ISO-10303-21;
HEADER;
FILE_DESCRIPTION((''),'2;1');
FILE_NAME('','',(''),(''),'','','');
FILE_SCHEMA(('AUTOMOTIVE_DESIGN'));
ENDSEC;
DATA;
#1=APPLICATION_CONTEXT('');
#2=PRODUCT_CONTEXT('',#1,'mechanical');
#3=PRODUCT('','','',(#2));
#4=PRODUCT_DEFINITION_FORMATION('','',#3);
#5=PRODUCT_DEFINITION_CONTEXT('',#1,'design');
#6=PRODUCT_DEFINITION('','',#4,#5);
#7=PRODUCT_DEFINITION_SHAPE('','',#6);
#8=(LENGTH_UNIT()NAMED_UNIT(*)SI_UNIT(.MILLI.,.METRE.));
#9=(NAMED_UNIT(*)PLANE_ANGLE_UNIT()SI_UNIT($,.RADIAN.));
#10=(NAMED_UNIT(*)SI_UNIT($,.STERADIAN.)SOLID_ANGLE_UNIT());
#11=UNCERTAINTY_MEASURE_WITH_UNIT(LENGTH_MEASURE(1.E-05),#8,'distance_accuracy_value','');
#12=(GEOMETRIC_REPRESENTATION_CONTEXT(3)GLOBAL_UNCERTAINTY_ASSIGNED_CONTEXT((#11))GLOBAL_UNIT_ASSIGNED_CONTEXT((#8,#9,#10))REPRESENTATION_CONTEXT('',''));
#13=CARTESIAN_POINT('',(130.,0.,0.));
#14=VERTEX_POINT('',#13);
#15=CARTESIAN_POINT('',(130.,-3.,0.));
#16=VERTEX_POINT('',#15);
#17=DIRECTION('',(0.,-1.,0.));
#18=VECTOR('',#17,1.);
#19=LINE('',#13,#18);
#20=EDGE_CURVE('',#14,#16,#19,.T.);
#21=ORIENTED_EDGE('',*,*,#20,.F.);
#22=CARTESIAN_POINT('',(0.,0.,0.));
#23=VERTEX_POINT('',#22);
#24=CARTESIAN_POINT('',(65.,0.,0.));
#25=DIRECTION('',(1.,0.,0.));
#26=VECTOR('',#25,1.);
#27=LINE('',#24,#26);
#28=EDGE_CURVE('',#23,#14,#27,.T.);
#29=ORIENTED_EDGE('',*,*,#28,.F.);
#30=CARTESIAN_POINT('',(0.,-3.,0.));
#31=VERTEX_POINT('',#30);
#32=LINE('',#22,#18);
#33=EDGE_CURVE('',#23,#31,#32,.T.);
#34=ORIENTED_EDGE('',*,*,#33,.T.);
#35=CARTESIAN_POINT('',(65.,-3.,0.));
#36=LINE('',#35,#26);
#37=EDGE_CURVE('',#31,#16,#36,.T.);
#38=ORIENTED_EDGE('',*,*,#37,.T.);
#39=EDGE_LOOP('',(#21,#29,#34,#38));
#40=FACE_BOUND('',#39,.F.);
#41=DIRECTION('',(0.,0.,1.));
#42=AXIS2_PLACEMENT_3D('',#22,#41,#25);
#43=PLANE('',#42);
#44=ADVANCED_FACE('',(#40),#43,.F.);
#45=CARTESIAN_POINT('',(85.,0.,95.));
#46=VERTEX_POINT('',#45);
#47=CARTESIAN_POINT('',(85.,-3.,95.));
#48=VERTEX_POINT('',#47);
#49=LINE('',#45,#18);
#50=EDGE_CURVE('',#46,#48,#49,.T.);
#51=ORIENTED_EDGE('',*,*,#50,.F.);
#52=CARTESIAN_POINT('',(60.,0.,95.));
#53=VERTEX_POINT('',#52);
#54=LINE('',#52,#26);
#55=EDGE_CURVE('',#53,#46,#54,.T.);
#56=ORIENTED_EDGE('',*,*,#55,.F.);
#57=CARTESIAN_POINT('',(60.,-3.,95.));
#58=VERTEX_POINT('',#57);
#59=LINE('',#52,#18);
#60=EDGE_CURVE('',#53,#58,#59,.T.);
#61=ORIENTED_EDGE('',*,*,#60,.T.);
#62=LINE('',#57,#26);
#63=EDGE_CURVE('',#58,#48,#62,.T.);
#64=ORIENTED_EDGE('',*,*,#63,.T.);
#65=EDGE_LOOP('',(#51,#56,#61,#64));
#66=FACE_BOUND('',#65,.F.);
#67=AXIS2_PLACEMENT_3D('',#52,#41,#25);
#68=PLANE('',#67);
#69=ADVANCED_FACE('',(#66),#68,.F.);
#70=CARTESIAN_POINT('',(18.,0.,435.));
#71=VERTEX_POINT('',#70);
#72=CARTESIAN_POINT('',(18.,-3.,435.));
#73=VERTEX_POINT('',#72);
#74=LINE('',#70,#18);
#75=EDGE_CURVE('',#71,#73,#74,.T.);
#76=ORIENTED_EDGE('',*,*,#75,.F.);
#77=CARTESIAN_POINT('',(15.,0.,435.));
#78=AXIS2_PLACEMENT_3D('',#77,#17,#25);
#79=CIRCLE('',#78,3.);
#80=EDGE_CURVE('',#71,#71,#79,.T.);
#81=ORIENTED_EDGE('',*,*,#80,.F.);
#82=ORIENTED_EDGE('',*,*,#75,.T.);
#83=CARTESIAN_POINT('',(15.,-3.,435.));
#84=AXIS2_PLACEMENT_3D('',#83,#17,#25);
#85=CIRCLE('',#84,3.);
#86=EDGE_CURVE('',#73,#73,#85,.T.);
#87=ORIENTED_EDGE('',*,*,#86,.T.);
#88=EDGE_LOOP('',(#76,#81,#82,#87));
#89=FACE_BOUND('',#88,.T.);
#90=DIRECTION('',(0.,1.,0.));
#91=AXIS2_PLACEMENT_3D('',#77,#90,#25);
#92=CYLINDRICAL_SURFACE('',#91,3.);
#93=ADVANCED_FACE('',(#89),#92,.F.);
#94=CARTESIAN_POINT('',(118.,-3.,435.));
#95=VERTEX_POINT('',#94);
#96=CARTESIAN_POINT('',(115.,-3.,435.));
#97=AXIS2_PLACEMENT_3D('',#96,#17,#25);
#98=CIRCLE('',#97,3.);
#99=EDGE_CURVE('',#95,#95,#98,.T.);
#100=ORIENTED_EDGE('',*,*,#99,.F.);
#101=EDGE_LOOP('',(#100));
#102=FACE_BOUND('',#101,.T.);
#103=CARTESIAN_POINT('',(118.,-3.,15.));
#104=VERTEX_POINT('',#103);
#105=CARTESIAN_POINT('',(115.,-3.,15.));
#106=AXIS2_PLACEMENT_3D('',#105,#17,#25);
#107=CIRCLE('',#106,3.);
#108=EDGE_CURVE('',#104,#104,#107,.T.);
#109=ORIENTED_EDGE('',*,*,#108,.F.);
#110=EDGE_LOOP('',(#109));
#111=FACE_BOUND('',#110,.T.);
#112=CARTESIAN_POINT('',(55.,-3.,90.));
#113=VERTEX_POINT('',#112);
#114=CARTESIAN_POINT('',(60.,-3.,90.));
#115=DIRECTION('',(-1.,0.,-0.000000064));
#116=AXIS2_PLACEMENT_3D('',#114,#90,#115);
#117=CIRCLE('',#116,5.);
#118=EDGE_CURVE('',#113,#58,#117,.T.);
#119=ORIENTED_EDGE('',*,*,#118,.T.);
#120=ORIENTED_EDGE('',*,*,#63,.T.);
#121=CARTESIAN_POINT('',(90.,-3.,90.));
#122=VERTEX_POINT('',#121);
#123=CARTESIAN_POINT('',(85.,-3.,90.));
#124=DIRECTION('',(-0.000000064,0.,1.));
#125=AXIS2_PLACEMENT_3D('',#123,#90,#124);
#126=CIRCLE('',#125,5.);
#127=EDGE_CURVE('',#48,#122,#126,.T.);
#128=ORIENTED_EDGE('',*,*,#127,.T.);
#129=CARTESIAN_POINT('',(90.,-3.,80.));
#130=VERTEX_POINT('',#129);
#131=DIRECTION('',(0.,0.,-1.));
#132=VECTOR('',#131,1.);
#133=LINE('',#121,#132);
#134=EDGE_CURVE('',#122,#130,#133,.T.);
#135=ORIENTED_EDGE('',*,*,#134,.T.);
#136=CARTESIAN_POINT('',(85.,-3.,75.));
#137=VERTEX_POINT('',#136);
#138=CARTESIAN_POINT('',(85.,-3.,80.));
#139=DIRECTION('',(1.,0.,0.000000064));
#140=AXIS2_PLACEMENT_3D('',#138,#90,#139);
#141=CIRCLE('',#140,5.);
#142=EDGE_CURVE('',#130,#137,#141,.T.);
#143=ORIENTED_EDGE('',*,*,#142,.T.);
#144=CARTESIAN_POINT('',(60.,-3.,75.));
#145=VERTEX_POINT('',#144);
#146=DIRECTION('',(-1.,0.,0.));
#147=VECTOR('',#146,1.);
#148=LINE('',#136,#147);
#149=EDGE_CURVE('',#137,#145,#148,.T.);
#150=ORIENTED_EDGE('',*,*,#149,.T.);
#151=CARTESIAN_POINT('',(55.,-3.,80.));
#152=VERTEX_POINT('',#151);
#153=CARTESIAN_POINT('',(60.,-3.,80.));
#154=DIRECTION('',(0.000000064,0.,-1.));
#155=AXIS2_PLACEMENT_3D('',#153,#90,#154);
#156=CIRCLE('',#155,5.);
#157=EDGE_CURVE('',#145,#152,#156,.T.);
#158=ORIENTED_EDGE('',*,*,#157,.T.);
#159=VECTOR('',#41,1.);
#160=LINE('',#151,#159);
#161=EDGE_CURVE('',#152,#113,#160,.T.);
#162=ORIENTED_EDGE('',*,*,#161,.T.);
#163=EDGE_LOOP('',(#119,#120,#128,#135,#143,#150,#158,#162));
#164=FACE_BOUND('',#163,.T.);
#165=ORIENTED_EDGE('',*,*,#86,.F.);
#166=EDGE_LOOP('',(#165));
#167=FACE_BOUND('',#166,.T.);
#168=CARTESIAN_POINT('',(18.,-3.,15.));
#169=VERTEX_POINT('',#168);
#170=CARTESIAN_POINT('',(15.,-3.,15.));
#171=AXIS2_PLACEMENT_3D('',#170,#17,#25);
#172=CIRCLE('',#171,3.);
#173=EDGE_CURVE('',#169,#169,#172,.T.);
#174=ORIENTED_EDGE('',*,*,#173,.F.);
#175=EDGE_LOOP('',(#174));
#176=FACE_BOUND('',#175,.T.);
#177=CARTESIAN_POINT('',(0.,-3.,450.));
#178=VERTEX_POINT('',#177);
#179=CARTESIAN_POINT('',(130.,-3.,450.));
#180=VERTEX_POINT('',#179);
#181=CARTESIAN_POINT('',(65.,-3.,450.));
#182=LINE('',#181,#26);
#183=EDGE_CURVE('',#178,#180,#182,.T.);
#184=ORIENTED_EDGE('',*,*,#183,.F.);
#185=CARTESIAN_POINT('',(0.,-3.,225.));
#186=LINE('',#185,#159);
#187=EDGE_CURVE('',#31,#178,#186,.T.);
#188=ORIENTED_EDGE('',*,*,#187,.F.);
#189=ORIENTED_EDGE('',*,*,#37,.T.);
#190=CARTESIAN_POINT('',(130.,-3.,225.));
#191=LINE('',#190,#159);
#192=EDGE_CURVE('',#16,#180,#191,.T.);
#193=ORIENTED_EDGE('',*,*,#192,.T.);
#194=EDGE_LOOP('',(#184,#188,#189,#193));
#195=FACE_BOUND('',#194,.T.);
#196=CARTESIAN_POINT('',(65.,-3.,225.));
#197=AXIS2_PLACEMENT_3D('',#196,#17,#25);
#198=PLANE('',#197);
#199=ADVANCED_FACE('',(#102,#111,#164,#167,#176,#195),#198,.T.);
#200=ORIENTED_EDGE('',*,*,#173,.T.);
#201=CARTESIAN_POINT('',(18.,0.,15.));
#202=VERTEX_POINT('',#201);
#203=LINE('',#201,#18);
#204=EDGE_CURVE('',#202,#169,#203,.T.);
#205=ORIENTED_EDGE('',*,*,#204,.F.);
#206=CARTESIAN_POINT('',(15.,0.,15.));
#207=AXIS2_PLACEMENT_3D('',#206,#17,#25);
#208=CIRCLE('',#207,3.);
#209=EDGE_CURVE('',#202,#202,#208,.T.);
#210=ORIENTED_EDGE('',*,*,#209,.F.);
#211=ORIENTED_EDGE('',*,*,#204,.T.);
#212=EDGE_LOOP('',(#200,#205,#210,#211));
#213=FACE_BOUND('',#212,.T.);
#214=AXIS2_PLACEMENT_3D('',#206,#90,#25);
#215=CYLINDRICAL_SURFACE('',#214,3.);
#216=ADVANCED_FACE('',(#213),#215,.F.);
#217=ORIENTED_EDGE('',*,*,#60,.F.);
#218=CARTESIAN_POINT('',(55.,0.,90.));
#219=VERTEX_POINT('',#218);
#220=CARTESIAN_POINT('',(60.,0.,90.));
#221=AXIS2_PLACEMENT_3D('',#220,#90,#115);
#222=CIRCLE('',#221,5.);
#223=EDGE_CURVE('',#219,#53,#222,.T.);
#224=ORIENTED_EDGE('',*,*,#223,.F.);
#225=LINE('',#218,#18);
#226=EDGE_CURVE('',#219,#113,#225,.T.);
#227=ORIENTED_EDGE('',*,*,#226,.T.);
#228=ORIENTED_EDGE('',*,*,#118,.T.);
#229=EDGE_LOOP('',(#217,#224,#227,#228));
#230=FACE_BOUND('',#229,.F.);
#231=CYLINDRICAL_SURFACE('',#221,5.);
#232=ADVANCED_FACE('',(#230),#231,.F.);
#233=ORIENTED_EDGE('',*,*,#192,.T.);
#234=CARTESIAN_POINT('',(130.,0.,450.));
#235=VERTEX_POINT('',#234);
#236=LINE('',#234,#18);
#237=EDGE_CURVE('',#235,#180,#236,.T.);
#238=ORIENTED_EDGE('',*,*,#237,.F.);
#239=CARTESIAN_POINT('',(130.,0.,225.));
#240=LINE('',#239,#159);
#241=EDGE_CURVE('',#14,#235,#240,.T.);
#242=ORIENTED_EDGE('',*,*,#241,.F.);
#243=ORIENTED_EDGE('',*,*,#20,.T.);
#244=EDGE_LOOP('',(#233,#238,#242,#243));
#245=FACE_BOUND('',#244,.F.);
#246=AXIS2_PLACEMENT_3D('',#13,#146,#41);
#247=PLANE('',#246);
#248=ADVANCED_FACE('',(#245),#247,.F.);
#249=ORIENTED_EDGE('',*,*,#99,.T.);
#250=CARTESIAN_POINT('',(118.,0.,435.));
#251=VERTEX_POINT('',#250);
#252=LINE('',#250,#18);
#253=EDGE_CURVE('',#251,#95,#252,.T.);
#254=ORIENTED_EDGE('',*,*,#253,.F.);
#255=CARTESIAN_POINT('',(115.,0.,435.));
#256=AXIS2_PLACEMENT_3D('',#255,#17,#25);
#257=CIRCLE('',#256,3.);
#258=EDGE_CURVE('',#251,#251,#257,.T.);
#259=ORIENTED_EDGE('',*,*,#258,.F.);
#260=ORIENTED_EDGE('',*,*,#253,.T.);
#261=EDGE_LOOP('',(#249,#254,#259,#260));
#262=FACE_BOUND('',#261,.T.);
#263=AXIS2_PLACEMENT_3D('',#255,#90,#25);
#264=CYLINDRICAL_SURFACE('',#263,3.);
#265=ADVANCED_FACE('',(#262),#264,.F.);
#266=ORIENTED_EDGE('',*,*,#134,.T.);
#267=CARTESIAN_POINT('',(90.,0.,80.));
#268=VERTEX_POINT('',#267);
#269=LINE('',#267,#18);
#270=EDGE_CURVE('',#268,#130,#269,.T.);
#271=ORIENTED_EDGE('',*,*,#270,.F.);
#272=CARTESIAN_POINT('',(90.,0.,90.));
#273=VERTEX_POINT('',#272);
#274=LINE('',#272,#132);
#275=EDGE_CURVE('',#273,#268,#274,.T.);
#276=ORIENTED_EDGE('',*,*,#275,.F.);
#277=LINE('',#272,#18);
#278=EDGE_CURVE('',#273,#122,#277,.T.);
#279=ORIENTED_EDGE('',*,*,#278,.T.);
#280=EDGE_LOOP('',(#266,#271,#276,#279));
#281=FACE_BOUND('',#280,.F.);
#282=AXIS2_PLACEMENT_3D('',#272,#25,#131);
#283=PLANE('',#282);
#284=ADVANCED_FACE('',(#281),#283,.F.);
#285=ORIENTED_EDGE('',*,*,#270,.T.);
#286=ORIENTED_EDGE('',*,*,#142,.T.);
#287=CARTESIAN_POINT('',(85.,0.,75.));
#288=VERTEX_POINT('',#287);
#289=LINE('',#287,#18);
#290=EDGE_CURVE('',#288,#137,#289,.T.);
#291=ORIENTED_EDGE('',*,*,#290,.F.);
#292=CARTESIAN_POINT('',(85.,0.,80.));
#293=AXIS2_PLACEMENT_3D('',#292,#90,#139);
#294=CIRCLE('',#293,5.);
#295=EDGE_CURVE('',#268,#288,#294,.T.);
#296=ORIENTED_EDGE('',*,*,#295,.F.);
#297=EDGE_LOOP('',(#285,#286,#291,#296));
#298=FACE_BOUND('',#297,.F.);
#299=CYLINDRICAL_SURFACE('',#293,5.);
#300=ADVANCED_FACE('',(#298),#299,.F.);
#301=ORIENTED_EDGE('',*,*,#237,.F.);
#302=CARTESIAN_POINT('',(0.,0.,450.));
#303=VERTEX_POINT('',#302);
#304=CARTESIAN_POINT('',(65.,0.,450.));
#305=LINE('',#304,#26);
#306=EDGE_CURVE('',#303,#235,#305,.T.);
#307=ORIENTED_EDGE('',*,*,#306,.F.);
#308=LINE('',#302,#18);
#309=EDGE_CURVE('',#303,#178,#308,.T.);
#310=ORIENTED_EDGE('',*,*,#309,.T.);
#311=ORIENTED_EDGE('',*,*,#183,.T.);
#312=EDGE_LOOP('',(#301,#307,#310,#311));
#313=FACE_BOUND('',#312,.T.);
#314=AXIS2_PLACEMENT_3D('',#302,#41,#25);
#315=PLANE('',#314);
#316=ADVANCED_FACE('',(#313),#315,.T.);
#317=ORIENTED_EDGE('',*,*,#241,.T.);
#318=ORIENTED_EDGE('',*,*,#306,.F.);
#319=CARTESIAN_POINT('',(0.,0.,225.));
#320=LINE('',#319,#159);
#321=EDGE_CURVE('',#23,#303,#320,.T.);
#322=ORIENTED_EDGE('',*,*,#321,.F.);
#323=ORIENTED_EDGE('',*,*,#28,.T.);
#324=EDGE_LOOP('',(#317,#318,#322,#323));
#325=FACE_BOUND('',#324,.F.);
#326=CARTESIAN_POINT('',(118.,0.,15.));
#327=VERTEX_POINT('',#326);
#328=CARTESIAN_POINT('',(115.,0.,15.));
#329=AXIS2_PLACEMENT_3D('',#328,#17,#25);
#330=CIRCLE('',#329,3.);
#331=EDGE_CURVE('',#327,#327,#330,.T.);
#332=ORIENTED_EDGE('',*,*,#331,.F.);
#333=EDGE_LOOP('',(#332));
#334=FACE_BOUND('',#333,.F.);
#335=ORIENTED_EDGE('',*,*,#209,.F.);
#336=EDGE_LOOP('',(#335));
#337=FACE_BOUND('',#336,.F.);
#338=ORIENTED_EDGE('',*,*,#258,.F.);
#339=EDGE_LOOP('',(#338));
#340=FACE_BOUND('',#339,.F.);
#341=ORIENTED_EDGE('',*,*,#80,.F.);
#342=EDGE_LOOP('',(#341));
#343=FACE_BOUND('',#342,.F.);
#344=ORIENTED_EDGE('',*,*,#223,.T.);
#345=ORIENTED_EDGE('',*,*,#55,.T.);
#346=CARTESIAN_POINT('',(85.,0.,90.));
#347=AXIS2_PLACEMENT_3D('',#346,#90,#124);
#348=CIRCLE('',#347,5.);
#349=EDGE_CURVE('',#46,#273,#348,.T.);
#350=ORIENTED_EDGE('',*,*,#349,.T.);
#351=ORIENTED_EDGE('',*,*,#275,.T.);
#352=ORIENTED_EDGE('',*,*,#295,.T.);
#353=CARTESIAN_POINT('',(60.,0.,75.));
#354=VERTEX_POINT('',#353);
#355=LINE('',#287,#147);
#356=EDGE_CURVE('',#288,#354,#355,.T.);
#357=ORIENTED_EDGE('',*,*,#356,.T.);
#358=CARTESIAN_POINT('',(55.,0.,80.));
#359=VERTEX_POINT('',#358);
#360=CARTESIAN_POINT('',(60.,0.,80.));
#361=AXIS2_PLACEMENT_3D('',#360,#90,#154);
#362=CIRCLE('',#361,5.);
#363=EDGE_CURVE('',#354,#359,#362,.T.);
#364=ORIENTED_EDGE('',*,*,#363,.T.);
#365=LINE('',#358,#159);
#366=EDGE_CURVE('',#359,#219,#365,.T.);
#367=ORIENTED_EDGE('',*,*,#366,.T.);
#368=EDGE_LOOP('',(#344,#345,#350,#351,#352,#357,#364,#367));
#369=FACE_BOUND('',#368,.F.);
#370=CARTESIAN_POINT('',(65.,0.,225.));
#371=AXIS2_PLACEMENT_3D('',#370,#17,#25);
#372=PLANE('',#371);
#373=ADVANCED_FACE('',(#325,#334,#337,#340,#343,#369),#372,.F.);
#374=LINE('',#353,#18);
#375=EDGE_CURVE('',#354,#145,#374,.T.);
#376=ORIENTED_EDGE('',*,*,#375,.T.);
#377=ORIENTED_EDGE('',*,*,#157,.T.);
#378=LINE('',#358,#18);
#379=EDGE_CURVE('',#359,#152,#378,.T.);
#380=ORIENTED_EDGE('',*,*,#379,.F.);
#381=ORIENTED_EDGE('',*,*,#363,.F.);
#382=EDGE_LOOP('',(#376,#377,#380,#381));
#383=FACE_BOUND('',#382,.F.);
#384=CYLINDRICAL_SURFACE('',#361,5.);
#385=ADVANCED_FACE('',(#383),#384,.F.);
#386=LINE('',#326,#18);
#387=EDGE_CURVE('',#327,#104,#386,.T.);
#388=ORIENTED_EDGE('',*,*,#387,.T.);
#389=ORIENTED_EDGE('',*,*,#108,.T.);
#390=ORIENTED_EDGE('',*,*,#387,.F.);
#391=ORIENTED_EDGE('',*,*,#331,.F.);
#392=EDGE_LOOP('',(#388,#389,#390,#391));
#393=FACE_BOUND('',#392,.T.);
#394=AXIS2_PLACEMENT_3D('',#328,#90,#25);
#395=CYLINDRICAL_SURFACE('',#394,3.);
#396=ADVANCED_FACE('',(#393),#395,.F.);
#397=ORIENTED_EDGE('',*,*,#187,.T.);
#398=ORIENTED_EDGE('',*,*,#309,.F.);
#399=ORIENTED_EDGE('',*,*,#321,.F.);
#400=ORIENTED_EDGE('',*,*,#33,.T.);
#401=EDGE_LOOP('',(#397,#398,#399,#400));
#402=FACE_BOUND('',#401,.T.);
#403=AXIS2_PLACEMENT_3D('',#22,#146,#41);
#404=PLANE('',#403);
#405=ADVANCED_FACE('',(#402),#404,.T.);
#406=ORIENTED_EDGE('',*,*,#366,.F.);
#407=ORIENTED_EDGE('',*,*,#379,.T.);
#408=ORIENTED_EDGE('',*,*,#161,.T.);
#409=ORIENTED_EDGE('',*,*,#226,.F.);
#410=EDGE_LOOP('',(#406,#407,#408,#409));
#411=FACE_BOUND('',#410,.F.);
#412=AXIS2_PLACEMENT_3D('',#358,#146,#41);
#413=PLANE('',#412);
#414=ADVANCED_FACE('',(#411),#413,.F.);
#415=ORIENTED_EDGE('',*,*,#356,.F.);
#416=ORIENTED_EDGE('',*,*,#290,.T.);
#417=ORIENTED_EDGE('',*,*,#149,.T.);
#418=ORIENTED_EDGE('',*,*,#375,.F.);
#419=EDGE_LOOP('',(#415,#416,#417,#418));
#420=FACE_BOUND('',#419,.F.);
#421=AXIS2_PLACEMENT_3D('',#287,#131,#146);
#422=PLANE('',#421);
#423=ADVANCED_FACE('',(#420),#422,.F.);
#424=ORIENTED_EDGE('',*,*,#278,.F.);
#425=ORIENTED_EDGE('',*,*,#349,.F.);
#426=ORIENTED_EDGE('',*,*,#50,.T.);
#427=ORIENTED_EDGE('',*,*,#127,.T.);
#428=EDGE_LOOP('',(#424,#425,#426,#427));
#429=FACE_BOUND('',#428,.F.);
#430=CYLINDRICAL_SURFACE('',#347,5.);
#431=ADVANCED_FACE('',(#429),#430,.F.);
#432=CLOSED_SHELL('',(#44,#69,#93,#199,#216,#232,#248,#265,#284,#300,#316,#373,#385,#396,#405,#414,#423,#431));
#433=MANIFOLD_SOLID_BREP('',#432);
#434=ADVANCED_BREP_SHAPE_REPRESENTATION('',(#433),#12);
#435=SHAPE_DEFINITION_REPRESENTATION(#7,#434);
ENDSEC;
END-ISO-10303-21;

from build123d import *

# Parameters (mm, degrees)
F0_W     = 130
F0_H     = 450
F0_R     = 3
F1_DEPTH = 3


with BuildPart() as f1:
    # F0 (on Front) → F1 (new body)
    with BuildSketch(Plane.XZ):
        with Locations((65, 225)):
            Rectangle(F0_W, F0_H)
        with Locations((15, 15)):
            Circle(F0_R, mode=Mode.SUBTRACT)
        with BuildLine():
            ThreePointArc((55, 90), (56.464466, 93.535534), (60, 95))
            Line((60, 95), (85, 95))
            ThreePointArc((85, 95), (88.535534, 93.535534), (90, 90))
            Line((90, 90), (90, 80))
            ThreePointArc((90, 80), (88.535534, 76.464466), (85, 75))
            Line((85, 75), (60, 75))
            ThreePointArc((60, 75), (56.464466, 76.464466), (55, 80))
            Line((55, 80), (55, 90))
        make_face(mode=Mode.SUBTRACT)
        with Locations((115, 15)):
            Circle(F0_R, mode=Mode.SUBTRACT)
        with Locations((15, 435)):
            Circle(F0_R, mode=Mode.SUBTRACT)
        with Locations((115, 435)):
            Circle(F0_R, mode=Mode.SUBTRACT)
    extrude(amount=F1_DEPTH)


solid = f1.part
